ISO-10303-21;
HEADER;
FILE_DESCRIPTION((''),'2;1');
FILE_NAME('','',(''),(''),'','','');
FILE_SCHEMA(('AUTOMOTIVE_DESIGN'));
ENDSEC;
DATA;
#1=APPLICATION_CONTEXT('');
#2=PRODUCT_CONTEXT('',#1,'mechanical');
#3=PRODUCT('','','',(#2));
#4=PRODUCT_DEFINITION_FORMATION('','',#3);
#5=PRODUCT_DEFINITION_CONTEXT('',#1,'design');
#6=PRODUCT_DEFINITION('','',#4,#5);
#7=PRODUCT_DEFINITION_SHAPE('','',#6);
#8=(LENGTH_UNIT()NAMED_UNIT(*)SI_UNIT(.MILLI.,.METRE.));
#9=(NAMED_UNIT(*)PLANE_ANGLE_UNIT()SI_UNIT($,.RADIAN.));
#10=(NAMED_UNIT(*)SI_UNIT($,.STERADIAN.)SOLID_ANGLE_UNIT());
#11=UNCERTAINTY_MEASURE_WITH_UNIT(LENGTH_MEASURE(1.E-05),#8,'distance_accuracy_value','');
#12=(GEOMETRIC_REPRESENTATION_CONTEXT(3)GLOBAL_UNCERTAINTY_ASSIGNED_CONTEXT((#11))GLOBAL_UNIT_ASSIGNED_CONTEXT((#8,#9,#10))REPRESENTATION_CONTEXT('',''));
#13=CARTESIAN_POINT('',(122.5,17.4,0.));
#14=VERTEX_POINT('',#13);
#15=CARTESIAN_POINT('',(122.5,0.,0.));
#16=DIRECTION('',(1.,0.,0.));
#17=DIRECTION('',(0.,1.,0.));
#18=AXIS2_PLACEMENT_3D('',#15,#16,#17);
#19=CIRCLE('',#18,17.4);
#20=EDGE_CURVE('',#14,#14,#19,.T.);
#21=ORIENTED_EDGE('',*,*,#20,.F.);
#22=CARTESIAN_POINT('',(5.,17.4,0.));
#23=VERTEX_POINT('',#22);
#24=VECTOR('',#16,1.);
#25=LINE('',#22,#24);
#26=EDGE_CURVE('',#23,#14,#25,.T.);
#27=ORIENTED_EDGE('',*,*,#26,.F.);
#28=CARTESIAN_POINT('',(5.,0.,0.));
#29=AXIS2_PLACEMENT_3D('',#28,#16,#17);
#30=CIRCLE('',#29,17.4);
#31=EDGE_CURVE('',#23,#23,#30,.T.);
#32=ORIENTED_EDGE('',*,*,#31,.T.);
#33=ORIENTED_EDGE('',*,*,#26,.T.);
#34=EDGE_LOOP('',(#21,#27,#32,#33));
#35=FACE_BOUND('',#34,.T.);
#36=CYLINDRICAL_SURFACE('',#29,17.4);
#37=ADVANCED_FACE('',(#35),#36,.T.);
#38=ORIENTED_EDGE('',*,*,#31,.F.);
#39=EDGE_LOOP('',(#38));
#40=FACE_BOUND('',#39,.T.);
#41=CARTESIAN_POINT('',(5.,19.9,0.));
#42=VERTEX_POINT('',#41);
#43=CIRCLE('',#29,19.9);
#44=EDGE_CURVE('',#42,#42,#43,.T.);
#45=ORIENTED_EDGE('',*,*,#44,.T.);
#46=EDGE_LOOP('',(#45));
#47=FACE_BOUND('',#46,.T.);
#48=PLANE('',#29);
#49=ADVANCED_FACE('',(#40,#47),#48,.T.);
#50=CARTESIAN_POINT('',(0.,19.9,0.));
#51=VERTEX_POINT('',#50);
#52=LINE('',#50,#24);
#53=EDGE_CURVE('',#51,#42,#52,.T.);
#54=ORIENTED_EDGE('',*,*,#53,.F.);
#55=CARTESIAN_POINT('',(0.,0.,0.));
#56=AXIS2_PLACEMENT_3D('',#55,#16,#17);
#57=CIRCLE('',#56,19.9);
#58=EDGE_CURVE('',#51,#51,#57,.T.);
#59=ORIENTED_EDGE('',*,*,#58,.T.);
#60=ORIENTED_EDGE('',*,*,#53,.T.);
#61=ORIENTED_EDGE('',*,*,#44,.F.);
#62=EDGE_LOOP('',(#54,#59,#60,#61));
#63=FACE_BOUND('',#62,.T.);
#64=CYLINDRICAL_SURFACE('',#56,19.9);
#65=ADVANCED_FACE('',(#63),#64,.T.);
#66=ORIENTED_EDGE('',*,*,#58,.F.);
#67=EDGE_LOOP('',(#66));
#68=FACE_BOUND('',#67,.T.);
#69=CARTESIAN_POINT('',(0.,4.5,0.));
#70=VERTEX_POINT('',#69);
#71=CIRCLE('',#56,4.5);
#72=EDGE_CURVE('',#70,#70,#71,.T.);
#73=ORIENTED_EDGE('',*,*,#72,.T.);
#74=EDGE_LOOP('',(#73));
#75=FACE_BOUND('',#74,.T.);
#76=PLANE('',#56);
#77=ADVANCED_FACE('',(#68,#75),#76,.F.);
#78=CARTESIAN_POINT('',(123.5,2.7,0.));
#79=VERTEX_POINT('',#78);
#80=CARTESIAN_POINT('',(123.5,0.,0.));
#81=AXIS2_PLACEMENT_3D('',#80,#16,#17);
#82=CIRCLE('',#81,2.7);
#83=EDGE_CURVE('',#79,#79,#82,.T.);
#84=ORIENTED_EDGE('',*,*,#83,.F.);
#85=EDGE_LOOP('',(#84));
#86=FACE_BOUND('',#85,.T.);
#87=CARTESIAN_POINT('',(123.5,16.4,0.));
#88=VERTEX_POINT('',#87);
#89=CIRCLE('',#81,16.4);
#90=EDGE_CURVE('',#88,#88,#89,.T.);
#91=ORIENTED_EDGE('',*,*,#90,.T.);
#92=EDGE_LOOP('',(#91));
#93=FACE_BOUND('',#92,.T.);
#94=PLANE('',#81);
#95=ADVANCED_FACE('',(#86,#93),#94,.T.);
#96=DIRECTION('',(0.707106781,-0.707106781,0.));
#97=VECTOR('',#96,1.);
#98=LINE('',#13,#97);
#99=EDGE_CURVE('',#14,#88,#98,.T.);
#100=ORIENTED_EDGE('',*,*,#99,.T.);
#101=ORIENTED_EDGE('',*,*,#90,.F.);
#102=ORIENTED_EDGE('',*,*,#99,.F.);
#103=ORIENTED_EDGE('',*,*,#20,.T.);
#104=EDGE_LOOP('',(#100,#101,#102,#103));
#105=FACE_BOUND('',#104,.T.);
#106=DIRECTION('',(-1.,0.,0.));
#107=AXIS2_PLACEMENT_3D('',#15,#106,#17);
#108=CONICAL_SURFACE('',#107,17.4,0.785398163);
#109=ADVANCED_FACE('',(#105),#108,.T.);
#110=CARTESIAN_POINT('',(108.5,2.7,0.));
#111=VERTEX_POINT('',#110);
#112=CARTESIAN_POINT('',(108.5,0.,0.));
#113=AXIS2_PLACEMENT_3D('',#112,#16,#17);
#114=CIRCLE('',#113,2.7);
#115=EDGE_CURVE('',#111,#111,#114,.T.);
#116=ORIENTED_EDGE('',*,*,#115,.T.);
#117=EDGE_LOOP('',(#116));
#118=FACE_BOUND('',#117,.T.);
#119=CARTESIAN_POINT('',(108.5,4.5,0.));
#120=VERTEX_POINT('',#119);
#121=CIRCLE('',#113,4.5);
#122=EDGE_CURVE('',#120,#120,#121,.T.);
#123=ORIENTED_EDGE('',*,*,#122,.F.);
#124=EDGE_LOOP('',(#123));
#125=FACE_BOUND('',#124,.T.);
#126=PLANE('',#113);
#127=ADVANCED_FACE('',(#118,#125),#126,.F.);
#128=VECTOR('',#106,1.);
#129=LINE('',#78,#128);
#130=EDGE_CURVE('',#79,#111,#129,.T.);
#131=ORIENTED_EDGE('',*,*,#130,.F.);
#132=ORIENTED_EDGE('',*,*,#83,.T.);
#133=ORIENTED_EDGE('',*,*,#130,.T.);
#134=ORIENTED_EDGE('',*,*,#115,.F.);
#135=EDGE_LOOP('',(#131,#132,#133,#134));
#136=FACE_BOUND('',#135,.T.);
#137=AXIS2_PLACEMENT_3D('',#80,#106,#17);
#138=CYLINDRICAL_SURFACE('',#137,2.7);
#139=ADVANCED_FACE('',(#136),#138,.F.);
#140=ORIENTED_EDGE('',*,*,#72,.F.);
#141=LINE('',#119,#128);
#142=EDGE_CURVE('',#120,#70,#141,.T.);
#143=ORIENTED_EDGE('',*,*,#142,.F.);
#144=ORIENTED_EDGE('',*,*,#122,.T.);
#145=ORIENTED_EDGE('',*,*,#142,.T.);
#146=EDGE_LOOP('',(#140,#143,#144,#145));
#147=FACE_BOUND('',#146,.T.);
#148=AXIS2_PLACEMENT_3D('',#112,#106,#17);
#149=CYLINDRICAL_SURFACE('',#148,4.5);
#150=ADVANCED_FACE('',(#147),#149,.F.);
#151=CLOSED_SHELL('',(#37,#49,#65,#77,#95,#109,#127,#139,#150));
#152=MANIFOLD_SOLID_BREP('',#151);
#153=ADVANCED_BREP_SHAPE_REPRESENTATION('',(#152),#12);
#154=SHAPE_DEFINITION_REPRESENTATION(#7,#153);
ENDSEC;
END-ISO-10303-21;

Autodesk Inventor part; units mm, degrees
ref_plane "YZ Plane" through (0, 0, 0) normal (1, 0, 0) x (0, 1, 0)
ref_plane "XZ Plane" through (0, 0, 0) normal (0, 1, 0) x (-1, 0, 0)
ref_plane "XY Plane" through (0, 0, 0) normal (0, 0, 1) x (1, 0, 0)
sketch "Sketch1" plane through (0, 0, 0) normal (0, 0, 1) x (1, 0, 0)
  line L0 (0, 0) -> (0, 4.5) construction
  line L1 (0, 4.5) -> (0, 19.9)
  line L2 (0, 19.9) -> (5, 19.9)
  line L3 (5, 19.9) -> (5, 17.4)
  line L4 (5, 17.4) -> (123.5, 17.4)
  line L5 (123.5, 17.4) -> (123.5, 2.7)
  line L6 (123.5, 2.7) -> (108.5, 2.7)
  line L7 (108.5, 2.7) -> (108.5, 4.5)
  line L8 (108.5, 4.5) -> (0, 4.5)
  line L9 (0, 0) -> (13.4104, 0) construction
  dimension "d0" = 2.7
  dimension "d1" = 4.5
  dimension "d2" = 15
  dimension "d3" = 5
  dimension "d4" = 17.4
  dimension "d5" = 2.5
  dimension "d6" = 118.5
revolve "Revolution1" add sketch "Sketch1" angle 360 about axis through (0, 0, 0) along (1, 0, 0)
chamfer "Chamfer1" distance 1 angle 45 1 edges at (123.5, -17.4, 0)
properties part number "J1_pin"
